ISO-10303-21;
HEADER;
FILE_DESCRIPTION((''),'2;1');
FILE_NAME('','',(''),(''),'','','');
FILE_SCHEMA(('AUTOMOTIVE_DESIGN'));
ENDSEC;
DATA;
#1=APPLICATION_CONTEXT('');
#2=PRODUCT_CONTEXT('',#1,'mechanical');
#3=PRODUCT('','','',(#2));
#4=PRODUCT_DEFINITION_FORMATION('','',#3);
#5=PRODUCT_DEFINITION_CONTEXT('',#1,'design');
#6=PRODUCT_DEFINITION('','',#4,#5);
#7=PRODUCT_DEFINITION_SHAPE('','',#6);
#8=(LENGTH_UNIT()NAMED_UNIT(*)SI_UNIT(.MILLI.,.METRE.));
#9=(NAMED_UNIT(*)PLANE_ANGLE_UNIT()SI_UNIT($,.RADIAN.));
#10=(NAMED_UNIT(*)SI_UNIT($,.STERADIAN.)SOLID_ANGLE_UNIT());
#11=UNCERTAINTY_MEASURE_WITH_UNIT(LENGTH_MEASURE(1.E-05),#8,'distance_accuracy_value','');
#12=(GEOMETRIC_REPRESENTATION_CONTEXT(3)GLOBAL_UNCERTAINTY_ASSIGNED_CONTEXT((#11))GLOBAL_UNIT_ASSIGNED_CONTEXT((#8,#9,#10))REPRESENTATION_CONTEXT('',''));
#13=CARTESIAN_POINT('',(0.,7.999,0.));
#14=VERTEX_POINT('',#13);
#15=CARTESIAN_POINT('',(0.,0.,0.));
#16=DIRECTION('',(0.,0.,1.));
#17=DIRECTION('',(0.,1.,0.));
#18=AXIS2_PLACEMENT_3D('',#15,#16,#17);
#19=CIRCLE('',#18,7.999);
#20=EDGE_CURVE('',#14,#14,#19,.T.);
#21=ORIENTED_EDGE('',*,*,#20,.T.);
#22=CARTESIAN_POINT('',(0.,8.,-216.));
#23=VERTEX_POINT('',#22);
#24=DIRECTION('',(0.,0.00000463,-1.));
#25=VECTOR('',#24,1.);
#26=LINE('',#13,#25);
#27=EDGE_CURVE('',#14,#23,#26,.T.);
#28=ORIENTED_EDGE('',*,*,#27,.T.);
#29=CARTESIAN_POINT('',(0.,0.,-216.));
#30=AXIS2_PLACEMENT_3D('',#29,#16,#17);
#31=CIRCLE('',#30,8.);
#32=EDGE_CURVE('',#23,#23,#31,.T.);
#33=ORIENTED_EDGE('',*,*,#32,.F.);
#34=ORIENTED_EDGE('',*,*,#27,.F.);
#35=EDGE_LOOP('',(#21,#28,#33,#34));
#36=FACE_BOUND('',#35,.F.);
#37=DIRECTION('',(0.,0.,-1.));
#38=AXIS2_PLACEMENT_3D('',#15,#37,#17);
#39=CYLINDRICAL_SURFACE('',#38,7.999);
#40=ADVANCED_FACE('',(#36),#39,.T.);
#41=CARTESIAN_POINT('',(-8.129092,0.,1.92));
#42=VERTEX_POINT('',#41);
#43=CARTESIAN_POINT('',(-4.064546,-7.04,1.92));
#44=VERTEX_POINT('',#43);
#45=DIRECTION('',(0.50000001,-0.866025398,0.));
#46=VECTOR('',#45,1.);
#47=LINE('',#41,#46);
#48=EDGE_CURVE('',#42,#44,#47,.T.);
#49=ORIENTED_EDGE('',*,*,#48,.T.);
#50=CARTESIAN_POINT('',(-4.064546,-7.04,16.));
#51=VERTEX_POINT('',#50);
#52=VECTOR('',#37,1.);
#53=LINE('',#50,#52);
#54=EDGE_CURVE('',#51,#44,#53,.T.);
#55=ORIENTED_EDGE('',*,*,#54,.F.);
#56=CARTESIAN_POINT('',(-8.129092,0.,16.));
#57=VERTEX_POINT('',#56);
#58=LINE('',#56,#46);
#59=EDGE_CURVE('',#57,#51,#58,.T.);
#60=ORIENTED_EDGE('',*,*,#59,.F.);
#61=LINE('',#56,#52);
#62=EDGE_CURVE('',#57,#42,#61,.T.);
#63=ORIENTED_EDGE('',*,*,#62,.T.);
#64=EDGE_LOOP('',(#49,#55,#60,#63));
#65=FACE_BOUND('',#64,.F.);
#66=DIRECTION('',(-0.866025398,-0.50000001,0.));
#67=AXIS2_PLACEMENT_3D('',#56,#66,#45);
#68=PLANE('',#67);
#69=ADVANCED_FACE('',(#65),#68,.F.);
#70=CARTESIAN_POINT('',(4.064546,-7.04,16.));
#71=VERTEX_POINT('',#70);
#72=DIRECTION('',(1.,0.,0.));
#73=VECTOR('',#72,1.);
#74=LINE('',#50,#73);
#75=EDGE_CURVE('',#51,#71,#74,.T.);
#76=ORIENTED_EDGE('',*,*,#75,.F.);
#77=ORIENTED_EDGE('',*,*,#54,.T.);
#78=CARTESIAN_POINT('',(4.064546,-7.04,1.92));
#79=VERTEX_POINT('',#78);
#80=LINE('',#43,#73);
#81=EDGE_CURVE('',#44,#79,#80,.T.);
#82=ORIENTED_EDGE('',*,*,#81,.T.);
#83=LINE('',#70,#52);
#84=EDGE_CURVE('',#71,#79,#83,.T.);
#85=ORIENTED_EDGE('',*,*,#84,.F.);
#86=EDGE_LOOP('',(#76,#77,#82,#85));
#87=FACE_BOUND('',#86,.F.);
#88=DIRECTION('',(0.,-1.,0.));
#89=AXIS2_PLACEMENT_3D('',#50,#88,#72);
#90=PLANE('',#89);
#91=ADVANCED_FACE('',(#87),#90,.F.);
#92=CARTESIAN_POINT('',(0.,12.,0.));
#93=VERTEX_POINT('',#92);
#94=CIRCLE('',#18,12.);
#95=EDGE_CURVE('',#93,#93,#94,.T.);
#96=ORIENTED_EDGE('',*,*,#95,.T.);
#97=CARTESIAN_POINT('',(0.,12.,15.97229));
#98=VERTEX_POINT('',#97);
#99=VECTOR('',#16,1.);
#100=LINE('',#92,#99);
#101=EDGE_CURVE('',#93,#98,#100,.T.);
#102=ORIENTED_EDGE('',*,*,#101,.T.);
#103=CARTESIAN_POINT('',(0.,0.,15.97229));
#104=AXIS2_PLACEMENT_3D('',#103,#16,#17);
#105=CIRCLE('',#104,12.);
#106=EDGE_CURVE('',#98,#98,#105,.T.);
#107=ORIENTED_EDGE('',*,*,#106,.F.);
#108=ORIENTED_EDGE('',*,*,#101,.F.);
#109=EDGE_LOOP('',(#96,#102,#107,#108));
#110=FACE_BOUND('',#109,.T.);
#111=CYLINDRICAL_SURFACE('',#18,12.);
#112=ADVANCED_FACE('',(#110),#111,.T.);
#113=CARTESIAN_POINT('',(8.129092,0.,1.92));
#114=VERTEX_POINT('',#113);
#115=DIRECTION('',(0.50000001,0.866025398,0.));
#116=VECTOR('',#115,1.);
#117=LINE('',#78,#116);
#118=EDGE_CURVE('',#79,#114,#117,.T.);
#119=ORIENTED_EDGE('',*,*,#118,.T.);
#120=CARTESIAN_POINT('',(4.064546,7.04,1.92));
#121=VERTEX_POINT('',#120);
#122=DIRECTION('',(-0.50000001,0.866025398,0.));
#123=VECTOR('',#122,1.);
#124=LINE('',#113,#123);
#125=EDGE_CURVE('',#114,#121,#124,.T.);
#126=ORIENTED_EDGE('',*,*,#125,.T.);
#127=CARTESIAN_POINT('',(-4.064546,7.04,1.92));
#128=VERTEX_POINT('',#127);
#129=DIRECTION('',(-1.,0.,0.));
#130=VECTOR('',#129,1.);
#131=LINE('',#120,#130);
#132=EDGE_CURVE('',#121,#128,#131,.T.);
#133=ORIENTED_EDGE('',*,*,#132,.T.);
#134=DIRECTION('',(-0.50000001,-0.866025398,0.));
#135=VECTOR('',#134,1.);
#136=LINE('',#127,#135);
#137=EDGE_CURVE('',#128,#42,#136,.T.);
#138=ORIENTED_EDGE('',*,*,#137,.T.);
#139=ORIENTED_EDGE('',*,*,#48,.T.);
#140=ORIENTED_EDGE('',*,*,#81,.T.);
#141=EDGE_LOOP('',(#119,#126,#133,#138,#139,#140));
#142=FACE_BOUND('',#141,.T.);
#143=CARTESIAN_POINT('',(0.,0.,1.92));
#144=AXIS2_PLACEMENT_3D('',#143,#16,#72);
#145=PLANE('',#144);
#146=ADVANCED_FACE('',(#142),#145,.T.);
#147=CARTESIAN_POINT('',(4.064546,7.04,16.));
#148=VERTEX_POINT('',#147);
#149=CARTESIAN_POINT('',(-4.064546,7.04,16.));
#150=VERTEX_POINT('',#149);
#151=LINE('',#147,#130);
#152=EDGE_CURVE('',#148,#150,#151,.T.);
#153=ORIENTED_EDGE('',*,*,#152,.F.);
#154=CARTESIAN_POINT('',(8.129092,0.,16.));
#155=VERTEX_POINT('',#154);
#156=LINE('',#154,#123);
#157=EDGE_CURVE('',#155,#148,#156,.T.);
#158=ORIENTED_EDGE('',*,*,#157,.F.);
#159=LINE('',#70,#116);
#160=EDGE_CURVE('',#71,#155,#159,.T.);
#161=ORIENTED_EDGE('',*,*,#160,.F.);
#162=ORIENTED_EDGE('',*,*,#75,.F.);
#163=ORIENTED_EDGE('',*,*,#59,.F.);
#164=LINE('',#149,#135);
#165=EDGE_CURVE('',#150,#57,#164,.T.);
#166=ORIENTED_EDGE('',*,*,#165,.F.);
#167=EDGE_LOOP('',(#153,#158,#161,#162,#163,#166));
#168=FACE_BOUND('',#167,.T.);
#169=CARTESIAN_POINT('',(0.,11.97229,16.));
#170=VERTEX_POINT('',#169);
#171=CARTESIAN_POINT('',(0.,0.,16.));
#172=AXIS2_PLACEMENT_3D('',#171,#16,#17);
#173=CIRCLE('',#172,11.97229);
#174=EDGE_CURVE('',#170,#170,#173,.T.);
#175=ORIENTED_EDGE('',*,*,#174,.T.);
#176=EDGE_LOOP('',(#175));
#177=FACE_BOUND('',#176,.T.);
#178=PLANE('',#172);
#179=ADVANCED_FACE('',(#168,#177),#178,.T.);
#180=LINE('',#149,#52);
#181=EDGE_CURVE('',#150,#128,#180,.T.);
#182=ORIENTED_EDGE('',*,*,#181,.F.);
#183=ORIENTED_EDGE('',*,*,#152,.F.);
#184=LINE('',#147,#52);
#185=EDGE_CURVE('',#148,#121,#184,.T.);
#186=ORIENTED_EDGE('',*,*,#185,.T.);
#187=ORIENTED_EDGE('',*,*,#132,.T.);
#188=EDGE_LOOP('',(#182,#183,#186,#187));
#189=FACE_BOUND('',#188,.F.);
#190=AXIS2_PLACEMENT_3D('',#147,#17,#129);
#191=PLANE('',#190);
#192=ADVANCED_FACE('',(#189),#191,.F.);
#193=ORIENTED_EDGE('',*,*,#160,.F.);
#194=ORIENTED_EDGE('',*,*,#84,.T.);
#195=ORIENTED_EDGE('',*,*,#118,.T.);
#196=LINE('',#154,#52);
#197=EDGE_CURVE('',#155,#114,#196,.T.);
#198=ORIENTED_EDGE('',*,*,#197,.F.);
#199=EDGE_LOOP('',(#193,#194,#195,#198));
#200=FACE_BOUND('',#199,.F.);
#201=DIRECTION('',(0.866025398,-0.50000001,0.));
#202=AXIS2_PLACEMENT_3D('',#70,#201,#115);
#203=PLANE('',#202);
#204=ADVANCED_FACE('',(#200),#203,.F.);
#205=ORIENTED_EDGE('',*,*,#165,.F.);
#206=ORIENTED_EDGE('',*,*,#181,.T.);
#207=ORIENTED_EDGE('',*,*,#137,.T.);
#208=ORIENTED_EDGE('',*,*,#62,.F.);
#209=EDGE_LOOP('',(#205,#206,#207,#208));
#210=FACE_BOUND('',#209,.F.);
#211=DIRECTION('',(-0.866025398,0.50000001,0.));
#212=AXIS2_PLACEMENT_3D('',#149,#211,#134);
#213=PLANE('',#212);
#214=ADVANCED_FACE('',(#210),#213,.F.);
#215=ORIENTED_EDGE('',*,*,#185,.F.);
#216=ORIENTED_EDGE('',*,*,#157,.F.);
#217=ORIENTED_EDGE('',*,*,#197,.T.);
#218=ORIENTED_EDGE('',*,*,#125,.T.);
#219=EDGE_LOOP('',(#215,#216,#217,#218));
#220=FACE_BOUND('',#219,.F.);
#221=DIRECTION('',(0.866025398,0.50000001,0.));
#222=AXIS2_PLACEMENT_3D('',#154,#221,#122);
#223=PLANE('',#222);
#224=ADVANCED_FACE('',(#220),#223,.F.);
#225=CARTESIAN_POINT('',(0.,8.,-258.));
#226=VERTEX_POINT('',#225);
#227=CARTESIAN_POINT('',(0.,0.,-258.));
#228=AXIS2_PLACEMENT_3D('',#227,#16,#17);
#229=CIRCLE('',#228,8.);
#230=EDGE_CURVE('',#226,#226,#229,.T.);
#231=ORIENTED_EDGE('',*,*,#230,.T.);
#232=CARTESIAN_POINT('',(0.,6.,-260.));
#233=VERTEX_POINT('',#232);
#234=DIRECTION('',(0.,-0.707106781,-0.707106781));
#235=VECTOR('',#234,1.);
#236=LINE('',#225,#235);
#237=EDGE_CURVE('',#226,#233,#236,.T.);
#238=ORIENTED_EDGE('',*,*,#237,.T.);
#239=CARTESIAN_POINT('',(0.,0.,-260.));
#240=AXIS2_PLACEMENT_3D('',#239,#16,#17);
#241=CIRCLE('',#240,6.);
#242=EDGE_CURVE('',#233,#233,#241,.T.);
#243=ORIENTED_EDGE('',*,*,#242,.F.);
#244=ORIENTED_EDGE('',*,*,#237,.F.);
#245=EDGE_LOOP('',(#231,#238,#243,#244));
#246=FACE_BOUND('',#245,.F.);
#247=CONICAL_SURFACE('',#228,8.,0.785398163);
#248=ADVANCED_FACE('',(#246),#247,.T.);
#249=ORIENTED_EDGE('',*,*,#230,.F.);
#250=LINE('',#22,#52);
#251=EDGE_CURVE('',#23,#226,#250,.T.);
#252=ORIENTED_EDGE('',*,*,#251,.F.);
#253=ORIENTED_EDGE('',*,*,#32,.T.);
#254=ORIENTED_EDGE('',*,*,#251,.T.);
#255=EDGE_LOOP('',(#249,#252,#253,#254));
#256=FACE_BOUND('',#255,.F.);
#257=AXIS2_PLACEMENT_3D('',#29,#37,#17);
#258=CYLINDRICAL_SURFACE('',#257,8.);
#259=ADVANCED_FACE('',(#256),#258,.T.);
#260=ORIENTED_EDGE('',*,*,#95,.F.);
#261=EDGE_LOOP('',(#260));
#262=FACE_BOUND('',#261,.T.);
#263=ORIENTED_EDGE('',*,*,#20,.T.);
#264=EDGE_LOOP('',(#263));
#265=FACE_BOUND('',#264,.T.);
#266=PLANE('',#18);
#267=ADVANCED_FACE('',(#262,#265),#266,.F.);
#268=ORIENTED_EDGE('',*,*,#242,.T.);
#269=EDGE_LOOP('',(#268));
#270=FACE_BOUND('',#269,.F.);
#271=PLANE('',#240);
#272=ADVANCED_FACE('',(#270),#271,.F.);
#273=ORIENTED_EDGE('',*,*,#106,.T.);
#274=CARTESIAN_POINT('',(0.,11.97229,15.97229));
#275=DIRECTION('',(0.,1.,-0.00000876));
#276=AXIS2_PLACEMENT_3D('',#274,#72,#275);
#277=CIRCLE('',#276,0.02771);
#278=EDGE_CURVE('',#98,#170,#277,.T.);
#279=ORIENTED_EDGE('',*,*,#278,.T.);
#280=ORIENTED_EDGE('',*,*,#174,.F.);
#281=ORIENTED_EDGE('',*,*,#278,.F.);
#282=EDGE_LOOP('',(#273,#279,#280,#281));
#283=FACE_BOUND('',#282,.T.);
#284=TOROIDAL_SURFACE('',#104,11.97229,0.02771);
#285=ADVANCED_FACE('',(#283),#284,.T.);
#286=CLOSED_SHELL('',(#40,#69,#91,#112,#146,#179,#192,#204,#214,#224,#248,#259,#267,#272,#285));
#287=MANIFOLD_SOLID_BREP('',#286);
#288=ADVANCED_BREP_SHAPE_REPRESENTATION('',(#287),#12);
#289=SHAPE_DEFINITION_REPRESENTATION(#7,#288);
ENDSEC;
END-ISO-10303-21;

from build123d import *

# Parameters (mm, degrees)
POCKET_DEPTH = 14.08


with BuildPart() as part:
    # Sketch → Revolve (revolve)
    with BuildSketch(Plane.YZ):
        with BuildLine():
            Line((7.999, 0), (12, 0))
            Line((12, 0), (12, 15.97229))
            ThreePointArc((12, 15.97229), (11.991884, 15.991884), (11.97229, 16))
            Line((11.97229, 16), (0, 16))
            Line((0, -260), (0, 16))
            Line((6, -260), (0, -260))
            Line((8, -258), (6, -260))
            Line((8, -216), (8, -258))
            Line((7.999, 0), (8, -216))
        make_face()
    revolve(axis=Axis((0, 0, 0), (0, 0, 1)))

    # Sketch001 → Pocket (cut)
    with BuildSketch(Plane.XY.offset(16)):
        Polygon((8.129092, 0), (4.064546, 7.04), (-4.064546, 7.04), (-8.129092, 0), (-4.064546, -7.04), (4.064546, -7.04), align=None)
    extrude(amount=-POCKET_DEPTH, mode=Mode.SUBTRACT)


solid = part.part
